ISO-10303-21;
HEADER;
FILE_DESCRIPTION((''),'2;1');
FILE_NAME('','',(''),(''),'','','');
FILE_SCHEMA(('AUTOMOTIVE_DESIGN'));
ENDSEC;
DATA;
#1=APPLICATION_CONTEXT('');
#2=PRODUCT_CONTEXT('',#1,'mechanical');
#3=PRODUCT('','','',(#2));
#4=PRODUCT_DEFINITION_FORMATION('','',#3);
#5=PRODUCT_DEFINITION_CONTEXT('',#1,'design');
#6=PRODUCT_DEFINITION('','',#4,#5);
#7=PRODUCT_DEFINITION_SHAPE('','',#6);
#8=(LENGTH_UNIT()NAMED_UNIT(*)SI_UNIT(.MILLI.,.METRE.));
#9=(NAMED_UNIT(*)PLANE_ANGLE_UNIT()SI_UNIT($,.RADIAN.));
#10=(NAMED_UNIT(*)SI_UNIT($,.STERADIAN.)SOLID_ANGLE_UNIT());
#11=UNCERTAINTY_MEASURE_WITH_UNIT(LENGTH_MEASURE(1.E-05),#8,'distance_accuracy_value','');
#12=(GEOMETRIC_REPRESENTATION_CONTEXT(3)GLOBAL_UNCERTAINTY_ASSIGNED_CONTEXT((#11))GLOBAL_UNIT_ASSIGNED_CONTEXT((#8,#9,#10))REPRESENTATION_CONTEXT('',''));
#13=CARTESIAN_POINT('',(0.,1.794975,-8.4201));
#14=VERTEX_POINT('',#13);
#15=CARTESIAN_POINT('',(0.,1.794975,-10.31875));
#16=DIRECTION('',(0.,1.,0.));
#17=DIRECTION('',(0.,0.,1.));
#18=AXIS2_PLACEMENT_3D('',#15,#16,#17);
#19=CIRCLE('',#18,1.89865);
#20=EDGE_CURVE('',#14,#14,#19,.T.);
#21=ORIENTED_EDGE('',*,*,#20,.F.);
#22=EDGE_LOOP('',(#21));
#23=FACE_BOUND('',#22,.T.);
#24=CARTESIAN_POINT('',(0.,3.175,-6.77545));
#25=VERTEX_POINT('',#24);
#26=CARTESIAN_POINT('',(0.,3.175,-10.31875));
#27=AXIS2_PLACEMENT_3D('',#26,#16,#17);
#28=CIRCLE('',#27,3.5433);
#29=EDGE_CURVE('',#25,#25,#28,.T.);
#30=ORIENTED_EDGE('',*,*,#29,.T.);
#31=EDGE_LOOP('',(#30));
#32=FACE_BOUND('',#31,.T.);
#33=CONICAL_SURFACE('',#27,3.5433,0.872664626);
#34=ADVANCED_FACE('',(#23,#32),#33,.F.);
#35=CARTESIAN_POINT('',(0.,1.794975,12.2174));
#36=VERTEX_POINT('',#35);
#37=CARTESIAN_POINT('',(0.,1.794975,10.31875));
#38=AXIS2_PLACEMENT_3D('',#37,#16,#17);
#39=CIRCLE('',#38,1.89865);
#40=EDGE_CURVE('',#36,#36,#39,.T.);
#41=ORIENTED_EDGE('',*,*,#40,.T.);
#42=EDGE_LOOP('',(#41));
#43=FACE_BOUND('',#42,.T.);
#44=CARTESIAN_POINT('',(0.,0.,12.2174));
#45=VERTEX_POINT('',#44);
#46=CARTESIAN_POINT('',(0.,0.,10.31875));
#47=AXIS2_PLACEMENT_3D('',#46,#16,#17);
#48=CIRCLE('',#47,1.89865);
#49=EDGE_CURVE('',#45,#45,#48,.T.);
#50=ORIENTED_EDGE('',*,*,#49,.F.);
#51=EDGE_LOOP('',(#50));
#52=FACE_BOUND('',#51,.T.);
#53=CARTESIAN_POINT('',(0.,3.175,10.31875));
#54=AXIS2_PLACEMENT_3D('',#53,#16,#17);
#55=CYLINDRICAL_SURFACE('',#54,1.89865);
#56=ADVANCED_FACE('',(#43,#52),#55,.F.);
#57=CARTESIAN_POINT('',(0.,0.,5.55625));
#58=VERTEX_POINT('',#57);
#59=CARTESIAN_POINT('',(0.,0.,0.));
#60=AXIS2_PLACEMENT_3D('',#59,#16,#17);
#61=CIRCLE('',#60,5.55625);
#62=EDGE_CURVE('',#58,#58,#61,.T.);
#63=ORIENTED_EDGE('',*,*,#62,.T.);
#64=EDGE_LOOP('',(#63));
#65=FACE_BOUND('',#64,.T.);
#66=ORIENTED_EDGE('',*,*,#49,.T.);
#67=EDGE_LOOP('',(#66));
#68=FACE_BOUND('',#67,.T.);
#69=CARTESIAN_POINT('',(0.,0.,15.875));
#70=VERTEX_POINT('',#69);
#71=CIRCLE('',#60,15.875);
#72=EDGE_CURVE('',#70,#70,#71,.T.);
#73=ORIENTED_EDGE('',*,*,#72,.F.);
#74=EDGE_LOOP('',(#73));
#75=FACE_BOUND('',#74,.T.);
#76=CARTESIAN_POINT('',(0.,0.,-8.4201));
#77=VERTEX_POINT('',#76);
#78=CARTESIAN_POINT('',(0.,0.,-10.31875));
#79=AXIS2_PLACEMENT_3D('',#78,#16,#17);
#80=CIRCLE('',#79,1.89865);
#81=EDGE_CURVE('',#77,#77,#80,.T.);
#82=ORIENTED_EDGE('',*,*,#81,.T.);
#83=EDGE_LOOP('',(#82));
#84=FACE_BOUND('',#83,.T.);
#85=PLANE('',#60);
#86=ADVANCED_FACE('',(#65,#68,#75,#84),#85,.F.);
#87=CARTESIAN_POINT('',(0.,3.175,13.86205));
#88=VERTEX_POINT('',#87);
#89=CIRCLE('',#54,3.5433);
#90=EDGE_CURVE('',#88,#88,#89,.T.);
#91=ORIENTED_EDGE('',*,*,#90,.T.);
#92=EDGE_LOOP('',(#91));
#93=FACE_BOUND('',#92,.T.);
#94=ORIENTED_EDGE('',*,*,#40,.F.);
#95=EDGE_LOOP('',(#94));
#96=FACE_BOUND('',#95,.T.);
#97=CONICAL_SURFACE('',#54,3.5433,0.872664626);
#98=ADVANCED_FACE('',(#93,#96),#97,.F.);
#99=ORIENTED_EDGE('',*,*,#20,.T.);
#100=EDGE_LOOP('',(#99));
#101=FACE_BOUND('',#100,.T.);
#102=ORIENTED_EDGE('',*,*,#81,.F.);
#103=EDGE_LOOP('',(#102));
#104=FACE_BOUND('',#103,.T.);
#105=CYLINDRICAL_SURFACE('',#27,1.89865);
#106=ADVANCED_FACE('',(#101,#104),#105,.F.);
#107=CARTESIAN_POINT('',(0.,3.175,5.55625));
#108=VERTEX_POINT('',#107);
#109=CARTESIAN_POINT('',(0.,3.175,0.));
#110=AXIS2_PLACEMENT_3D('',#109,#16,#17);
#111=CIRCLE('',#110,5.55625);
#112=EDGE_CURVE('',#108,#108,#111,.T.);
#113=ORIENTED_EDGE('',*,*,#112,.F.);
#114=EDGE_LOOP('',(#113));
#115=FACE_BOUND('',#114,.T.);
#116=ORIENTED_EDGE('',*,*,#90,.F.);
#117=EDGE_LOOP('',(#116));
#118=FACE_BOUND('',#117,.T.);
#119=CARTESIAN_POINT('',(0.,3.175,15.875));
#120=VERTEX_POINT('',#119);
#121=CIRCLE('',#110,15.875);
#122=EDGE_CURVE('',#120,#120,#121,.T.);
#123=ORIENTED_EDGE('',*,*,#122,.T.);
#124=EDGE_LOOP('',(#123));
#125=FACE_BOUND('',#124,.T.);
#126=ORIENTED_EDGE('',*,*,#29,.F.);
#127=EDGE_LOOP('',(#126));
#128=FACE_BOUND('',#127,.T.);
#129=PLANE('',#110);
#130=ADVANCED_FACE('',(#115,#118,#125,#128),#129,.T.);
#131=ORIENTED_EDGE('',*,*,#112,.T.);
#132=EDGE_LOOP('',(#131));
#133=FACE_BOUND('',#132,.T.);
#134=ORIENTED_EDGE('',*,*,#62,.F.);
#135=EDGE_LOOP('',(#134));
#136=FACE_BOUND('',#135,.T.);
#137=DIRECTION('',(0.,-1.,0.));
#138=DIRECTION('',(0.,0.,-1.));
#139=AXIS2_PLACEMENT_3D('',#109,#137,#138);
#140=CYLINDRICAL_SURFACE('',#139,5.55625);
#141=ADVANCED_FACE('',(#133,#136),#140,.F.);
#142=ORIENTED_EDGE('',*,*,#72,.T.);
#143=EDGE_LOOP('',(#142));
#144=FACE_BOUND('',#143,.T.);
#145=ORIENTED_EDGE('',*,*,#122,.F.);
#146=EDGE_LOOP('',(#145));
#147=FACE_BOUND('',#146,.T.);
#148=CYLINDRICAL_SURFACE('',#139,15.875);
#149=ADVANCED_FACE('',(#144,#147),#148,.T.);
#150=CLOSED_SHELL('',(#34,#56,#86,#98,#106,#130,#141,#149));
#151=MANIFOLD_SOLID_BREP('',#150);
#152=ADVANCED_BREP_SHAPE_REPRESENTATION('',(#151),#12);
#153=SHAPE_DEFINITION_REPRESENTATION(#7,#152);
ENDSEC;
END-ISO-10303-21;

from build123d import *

# Parameters (mm, degrees)
SKETCH1_R                                         = 15.875
SKETCH1_R_2                                       = 5.55625
BOSS_EXTRUDE1_DEPTH                               = 3.175
CSK_FOR_6_FLAT_HEAD_MACHINE_SCREW_100_D           = 3.7973
CSK_FOR_6_FLAT_HEAD_MACHINE_SCREW_100_CSINK_D     = 7.0866
CSK_FOR_6_FLAT_HEAD_MACHINE_SCREW_100_CSINK_ANGLE = 100


with BuildPart() as part:
    # Sketch1 → Boss-Extrude1 (new body)
    with BuildSketch(Plane(origin=(0, 0, 0), x_dir=(1, 0, 0), z_dir=(0, 1, 0))):
        with Locations(Location((0, 0, 0), (0, 0, 270))):
            Circle(SKETCH1_R)
        with Locations(Location((0, 0, 0), (0, 0, 270))):
            Circle(SKETCH1_R_2, mode=Mode.SUBTRACT)
    extrude(amount=BOSS_EXTRUDE1_DEPTH)

    # CSK for #6 Flat Head Machine Screw (100)1 (through all)
    with Locations(Plane(origin=(0, 3.175, 0), x_dir=(1, 0, 0), z_dir=(0, 1, 0))):
        with Locations((0, -10.31875), (0, 10.31875)):
            CounterSinkHole(CSK_FOR_6_FLAT_HEAD_MACHINE_SCREW_100_D / 2, CSK_FOR_6_FLAT_HEAD_MACHINE_SCREW_100_CSINK_D / 2, counter_sink_angle=CSK_FOR_6_FLAT_HEAD_MACHINE_SCREW_100_CSINK_ANGLE)


solid = part.part
